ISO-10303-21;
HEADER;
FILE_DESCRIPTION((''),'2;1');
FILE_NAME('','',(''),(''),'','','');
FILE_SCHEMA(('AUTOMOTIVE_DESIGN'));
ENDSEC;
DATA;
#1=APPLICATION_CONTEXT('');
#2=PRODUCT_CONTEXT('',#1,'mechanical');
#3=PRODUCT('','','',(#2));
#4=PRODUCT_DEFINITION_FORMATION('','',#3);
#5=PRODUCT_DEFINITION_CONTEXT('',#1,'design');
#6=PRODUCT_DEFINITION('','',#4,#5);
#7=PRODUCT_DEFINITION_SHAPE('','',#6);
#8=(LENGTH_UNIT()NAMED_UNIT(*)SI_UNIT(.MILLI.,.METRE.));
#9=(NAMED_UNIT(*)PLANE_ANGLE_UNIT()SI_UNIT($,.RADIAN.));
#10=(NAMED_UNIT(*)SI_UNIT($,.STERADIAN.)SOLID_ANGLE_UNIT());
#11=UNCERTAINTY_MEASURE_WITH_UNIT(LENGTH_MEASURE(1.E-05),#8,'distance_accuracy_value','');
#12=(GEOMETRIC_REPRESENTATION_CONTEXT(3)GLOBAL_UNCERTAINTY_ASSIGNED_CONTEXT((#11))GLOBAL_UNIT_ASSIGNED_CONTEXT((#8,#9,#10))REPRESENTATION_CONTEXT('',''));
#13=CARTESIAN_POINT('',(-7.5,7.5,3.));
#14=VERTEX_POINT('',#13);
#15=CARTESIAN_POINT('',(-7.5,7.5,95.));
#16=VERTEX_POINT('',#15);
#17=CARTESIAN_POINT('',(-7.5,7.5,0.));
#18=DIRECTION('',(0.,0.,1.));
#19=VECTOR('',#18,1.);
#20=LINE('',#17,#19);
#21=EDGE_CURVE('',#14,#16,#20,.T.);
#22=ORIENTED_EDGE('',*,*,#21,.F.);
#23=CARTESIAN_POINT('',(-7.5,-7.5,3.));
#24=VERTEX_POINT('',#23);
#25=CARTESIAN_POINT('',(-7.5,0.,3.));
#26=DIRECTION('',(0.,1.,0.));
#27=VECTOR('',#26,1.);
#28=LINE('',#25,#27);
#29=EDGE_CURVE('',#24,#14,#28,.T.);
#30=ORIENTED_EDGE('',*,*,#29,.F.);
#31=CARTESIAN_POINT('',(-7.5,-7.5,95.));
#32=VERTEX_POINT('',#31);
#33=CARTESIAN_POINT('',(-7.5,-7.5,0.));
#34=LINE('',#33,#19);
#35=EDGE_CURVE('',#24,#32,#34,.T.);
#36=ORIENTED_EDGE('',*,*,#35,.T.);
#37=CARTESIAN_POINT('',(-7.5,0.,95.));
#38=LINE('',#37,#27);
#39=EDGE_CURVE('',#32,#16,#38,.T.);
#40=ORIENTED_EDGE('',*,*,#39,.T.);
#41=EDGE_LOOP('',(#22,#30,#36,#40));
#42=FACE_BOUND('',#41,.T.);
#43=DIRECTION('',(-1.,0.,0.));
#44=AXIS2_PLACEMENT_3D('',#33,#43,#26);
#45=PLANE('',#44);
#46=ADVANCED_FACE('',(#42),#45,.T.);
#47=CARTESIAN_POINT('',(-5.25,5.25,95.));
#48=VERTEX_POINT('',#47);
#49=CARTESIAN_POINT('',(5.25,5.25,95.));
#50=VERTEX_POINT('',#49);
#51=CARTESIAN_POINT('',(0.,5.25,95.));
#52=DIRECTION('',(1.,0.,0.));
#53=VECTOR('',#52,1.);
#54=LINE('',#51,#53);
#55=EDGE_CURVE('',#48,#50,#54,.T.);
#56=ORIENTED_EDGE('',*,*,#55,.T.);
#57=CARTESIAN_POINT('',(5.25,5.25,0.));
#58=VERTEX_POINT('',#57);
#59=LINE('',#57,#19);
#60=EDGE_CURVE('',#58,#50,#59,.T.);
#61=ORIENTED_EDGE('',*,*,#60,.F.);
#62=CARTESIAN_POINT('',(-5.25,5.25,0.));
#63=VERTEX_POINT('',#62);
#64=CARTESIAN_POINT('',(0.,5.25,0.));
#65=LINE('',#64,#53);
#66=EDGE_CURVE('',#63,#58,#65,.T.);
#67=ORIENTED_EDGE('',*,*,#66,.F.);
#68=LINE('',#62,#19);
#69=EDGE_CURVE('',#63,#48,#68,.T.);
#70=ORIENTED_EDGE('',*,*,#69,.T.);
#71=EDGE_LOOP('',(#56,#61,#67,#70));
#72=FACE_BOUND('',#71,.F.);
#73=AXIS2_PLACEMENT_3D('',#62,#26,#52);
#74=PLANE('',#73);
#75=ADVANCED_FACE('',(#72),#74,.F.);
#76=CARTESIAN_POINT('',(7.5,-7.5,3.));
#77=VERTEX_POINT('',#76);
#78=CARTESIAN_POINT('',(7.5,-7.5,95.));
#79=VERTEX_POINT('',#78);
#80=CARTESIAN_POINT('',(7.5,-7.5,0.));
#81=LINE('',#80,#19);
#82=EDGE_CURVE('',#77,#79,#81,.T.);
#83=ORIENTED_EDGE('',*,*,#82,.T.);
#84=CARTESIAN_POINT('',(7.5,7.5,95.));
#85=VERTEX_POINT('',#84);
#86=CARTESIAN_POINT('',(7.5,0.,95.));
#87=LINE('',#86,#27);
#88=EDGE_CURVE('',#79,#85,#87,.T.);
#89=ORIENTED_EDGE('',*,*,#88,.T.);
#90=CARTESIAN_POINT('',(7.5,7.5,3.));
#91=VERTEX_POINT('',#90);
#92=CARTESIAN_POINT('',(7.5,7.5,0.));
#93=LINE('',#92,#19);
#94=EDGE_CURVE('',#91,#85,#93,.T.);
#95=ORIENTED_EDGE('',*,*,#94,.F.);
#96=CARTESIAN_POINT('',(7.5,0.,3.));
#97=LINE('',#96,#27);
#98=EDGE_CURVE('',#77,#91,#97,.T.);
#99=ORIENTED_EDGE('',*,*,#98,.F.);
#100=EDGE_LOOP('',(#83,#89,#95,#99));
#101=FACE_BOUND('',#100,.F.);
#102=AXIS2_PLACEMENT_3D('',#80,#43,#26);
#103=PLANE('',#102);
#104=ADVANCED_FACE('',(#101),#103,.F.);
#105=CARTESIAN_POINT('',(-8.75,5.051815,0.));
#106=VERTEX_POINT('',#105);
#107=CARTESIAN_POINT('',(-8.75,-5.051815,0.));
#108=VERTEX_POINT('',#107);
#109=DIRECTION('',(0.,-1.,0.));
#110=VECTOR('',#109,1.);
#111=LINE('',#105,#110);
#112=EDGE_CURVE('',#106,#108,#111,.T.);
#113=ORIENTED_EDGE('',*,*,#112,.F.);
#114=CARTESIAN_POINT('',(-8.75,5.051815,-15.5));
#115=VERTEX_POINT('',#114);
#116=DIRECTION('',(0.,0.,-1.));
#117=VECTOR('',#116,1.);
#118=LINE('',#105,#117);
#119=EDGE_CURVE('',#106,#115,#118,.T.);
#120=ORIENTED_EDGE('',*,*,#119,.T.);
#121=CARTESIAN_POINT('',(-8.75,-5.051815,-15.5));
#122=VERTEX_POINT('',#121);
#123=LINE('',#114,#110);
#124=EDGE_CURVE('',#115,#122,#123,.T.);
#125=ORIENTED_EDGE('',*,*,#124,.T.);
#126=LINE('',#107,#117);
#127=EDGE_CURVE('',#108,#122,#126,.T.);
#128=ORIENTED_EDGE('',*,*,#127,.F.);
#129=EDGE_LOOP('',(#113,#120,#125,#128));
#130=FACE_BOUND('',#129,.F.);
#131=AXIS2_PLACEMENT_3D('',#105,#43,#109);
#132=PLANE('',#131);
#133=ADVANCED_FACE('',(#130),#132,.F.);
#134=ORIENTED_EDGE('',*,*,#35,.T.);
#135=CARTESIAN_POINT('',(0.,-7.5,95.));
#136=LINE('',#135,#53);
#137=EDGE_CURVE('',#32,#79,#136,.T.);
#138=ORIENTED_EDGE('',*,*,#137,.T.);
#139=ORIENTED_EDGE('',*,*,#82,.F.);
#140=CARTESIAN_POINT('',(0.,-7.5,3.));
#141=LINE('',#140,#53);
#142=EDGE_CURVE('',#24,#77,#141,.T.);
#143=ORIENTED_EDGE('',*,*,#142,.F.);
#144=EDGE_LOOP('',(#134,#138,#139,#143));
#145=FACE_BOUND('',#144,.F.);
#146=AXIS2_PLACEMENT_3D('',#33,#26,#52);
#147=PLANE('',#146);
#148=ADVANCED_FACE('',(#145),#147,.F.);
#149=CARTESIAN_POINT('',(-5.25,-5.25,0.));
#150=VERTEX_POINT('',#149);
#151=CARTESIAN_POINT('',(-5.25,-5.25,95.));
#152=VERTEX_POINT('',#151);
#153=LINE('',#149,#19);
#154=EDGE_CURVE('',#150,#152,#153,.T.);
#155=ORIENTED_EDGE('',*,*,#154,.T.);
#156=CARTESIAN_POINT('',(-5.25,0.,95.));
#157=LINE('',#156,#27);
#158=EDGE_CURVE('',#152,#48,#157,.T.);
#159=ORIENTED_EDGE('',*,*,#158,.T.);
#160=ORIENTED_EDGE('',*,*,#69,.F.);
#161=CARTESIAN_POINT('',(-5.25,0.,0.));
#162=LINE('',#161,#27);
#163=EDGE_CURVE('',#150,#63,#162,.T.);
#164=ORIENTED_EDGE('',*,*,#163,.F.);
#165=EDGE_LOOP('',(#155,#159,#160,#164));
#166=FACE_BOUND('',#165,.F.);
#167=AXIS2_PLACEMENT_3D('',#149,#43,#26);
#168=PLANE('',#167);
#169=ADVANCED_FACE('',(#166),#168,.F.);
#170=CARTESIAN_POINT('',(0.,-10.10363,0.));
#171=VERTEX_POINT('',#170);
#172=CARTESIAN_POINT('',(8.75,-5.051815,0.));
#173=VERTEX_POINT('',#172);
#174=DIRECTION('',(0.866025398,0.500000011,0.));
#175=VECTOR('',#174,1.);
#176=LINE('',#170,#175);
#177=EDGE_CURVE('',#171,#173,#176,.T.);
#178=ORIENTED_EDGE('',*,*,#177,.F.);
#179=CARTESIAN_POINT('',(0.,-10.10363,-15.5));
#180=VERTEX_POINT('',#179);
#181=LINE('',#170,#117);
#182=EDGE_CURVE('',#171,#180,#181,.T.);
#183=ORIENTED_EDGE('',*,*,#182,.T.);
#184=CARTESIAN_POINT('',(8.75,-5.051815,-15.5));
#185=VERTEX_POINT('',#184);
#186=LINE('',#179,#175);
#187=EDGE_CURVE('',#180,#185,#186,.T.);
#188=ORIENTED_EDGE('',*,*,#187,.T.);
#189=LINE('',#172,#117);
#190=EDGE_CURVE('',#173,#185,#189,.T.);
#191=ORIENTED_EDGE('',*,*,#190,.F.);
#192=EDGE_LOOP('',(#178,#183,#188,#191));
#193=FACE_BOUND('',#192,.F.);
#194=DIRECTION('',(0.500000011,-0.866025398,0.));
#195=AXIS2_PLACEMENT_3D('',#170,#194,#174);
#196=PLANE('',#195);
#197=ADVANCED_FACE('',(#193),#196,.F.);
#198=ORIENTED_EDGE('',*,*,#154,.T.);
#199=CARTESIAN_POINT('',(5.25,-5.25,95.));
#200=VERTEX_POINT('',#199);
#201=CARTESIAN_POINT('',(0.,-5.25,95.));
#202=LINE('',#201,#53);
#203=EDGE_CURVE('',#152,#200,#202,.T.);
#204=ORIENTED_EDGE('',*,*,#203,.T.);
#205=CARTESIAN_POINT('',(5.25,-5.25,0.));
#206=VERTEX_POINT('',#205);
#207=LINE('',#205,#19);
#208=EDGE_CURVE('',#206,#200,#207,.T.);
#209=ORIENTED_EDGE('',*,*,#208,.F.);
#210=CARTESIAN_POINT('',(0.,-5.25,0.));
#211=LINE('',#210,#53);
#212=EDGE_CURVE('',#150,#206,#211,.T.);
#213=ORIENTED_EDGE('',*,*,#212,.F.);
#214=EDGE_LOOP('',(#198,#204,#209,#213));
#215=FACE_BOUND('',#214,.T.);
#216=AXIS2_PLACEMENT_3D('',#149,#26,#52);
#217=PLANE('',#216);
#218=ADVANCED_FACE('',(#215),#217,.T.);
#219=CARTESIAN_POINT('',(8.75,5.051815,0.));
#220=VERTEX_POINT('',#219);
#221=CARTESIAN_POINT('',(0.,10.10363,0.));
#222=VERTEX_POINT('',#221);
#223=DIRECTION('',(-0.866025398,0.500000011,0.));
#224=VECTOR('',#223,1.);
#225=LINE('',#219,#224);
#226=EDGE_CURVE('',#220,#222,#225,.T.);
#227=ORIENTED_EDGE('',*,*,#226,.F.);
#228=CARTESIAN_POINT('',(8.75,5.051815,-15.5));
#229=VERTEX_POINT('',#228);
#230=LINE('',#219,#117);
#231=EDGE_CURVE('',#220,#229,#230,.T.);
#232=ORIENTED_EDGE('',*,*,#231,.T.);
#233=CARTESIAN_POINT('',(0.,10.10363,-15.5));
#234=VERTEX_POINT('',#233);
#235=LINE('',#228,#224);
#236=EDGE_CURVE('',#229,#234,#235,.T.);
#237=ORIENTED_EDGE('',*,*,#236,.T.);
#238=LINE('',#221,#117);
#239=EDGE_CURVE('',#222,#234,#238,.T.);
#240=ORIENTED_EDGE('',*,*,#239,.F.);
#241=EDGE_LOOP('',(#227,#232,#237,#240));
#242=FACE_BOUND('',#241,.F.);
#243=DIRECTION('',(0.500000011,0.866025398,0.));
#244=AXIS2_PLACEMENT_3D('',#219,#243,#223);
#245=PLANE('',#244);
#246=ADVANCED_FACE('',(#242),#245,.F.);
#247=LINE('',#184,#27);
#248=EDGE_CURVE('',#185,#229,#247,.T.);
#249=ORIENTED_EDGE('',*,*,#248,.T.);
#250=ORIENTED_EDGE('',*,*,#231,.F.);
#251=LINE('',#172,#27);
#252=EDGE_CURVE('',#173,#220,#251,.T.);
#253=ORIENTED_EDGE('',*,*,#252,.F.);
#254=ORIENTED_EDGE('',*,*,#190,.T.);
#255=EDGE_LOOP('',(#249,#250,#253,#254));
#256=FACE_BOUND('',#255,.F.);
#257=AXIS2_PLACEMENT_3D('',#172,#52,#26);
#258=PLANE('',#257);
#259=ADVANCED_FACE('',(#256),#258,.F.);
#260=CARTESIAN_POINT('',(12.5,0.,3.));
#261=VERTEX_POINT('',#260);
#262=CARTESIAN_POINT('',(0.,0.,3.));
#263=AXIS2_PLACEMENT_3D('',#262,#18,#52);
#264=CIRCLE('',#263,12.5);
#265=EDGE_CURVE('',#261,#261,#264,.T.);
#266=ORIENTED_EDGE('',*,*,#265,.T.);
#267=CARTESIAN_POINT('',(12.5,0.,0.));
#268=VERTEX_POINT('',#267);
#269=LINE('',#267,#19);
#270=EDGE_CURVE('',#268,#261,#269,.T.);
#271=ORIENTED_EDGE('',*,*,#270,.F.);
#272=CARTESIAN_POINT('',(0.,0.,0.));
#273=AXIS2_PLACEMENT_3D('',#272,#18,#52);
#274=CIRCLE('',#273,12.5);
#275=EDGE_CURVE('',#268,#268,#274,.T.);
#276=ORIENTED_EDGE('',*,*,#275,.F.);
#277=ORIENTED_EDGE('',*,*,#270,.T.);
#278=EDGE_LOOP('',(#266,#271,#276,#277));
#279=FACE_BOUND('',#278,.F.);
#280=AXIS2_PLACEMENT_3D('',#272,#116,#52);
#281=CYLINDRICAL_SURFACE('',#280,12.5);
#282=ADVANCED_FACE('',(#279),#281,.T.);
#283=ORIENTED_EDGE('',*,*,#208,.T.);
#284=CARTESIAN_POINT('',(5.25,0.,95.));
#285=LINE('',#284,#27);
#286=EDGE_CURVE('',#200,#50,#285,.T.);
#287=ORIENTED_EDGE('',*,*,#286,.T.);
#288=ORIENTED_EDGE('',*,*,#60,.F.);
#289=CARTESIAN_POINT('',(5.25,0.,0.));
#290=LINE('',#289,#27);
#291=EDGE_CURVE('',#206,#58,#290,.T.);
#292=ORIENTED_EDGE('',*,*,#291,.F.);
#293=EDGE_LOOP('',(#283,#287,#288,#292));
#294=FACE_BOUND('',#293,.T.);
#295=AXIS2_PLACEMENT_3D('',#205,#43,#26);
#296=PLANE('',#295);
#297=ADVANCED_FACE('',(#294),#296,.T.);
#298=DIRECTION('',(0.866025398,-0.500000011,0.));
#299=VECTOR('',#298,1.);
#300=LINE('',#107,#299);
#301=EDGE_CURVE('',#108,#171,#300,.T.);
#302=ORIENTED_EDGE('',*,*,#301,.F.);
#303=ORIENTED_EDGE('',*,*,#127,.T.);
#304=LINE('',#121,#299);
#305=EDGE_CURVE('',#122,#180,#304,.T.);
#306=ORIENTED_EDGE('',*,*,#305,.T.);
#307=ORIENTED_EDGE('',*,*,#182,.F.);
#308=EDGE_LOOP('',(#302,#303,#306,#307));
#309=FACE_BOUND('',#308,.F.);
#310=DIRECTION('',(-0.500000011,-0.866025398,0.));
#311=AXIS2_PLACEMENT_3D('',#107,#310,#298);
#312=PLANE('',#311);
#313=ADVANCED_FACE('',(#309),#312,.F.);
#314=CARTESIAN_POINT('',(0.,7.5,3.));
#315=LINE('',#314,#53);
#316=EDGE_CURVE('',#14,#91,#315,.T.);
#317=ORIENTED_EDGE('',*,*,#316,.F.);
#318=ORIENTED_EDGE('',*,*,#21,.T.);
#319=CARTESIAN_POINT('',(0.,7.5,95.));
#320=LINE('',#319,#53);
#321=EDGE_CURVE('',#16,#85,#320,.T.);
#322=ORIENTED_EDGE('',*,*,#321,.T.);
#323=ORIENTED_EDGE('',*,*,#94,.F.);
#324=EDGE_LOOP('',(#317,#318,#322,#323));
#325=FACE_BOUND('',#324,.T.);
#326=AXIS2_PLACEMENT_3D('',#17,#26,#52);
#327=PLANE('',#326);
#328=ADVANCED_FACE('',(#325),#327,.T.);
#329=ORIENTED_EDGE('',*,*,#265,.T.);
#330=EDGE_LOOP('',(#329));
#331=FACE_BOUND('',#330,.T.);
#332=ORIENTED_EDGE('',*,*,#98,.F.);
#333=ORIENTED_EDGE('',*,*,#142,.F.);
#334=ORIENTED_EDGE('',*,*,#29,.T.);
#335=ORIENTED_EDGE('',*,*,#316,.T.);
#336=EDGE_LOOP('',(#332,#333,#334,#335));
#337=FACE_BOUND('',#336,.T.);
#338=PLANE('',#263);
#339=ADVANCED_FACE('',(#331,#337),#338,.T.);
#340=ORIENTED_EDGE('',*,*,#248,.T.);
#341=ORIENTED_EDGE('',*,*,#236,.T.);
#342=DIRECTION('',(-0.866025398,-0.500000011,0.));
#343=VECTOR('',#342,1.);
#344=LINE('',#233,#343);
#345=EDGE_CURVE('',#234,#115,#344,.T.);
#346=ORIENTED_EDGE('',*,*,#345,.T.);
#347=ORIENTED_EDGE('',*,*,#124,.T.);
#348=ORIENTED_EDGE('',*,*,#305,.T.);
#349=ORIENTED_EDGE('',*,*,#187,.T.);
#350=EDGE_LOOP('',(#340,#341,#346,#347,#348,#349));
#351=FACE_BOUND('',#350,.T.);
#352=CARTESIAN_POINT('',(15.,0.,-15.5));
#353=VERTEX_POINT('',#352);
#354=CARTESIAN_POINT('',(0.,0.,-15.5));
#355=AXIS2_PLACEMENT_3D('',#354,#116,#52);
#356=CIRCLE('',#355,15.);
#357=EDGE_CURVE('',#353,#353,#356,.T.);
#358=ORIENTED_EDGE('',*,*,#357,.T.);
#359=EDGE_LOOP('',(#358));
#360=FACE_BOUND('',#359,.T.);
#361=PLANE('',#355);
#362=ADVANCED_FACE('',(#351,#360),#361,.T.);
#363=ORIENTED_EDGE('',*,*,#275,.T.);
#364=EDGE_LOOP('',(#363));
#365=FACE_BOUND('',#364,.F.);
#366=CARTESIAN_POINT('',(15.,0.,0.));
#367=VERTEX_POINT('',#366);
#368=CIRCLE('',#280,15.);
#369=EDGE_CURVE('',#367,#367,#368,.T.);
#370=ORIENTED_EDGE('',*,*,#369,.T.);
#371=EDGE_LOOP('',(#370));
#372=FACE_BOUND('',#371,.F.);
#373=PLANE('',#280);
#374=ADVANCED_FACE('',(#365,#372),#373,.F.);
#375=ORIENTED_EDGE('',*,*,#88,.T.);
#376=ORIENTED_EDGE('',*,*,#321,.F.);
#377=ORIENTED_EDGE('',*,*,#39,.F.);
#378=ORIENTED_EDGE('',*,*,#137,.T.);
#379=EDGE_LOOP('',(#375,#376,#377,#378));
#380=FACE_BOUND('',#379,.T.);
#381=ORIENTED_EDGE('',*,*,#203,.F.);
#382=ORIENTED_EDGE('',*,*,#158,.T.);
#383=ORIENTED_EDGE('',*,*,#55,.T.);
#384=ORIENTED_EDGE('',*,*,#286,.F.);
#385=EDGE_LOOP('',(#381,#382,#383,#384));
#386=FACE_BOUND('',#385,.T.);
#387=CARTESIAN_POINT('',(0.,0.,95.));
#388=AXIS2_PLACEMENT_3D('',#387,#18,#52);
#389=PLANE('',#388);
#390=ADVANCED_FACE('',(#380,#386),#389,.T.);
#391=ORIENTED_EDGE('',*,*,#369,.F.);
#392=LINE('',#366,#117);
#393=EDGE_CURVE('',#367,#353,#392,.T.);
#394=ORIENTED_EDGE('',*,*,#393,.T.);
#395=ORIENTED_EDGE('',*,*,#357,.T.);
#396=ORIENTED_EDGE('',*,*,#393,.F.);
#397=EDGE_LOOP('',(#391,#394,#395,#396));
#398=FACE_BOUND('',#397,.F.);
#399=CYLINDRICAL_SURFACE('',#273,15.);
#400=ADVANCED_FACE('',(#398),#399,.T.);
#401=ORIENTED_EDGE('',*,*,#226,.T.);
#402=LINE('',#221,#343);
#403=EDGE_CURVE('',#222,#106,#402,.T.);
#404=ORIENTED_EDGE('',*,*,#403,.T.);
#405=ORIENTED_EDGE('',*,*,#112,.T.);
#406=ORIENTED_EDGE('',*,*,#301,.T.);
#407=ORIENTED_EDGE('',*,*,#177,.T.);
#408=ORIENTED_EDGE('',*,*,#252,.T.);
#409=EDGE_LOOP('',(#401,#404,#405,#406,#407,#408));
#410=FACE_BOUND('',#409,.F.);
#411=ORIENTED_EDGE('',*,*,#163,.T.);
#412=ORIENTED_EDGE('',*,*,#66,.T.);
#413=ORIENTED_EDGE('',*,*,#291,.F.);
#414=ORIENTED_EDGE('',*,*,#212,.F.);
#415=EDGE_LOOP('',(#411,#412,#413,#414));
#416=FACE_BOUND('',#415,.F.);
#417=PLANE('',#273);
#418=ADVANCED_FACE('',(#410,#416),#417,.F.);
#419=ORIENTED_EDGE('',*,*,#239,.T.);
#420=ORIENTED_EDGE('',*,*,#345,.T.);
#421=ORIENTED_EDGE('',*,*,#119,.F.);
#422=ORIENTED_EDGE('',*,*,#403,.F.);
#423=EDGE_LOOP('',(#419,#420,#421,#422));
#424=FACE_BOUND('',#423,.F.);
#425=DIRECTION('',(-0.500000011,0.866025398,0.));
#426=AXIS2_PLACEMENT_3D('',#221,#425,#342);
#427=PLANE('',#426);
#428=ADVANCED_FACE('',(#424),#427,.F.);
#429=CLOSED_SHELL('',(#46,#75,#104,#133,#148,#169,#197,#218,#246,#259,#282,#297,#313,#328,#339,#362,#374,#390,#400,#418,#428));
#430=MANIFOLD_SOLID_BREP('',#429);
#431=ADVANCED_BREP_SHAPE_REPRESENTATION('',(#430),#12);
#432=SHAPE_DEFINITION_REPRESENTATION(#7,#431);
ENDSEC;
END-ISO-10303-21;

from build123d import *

# Parameters (mm, degrees)
F0_W     = 15
F0_H     = 15
F0_W_2   = 10.5
F0_H_2   = 10.5
F1_DEPTH = 95
F2_R     = 15
F3_DEPTH = 15.5
F4_R     = 12.5
F4_W     = 15
F4_H     = 15
F5_DEPTH = 3


with BuildPart() as f1:
    # F0 (on Top) → F1 (new body)
    with BuildSketch(Plane.XY):
        Rectangle(F0_W, F0_H)
        Rectangle(F0_W_2, F0_H_2, mode=Mode.SUBTRACT)
    extrude(amount=F1_DEPTH)

    # F2 (on face) → F3 (join)
    with BuildSketch(Plane(origin=(0, 0, 0), x_dir=(1, 0, 0), z_dir=(0, 0, -1))):
        Circle(F2_R)
        Polygon((0, -10.10363), (-8.75, -5.051815), (-8.75, 5.051815), (0, 10.10363), (8.75, 5.051815), (8.75, -5.051815), align=None, mode=Mode.SUBTRACT)
    extrude(amount=F3_DEPTH)

    # F4 (on face) → F5 (join)
    with BuildSketch(Plane.XY):
        Circle(F4_R)
        Rectangle(F4_W, F4_H, mode=Mode.SUBTRACT)
    extrude(amount=F5_DEPTH)


solid = f1.part
